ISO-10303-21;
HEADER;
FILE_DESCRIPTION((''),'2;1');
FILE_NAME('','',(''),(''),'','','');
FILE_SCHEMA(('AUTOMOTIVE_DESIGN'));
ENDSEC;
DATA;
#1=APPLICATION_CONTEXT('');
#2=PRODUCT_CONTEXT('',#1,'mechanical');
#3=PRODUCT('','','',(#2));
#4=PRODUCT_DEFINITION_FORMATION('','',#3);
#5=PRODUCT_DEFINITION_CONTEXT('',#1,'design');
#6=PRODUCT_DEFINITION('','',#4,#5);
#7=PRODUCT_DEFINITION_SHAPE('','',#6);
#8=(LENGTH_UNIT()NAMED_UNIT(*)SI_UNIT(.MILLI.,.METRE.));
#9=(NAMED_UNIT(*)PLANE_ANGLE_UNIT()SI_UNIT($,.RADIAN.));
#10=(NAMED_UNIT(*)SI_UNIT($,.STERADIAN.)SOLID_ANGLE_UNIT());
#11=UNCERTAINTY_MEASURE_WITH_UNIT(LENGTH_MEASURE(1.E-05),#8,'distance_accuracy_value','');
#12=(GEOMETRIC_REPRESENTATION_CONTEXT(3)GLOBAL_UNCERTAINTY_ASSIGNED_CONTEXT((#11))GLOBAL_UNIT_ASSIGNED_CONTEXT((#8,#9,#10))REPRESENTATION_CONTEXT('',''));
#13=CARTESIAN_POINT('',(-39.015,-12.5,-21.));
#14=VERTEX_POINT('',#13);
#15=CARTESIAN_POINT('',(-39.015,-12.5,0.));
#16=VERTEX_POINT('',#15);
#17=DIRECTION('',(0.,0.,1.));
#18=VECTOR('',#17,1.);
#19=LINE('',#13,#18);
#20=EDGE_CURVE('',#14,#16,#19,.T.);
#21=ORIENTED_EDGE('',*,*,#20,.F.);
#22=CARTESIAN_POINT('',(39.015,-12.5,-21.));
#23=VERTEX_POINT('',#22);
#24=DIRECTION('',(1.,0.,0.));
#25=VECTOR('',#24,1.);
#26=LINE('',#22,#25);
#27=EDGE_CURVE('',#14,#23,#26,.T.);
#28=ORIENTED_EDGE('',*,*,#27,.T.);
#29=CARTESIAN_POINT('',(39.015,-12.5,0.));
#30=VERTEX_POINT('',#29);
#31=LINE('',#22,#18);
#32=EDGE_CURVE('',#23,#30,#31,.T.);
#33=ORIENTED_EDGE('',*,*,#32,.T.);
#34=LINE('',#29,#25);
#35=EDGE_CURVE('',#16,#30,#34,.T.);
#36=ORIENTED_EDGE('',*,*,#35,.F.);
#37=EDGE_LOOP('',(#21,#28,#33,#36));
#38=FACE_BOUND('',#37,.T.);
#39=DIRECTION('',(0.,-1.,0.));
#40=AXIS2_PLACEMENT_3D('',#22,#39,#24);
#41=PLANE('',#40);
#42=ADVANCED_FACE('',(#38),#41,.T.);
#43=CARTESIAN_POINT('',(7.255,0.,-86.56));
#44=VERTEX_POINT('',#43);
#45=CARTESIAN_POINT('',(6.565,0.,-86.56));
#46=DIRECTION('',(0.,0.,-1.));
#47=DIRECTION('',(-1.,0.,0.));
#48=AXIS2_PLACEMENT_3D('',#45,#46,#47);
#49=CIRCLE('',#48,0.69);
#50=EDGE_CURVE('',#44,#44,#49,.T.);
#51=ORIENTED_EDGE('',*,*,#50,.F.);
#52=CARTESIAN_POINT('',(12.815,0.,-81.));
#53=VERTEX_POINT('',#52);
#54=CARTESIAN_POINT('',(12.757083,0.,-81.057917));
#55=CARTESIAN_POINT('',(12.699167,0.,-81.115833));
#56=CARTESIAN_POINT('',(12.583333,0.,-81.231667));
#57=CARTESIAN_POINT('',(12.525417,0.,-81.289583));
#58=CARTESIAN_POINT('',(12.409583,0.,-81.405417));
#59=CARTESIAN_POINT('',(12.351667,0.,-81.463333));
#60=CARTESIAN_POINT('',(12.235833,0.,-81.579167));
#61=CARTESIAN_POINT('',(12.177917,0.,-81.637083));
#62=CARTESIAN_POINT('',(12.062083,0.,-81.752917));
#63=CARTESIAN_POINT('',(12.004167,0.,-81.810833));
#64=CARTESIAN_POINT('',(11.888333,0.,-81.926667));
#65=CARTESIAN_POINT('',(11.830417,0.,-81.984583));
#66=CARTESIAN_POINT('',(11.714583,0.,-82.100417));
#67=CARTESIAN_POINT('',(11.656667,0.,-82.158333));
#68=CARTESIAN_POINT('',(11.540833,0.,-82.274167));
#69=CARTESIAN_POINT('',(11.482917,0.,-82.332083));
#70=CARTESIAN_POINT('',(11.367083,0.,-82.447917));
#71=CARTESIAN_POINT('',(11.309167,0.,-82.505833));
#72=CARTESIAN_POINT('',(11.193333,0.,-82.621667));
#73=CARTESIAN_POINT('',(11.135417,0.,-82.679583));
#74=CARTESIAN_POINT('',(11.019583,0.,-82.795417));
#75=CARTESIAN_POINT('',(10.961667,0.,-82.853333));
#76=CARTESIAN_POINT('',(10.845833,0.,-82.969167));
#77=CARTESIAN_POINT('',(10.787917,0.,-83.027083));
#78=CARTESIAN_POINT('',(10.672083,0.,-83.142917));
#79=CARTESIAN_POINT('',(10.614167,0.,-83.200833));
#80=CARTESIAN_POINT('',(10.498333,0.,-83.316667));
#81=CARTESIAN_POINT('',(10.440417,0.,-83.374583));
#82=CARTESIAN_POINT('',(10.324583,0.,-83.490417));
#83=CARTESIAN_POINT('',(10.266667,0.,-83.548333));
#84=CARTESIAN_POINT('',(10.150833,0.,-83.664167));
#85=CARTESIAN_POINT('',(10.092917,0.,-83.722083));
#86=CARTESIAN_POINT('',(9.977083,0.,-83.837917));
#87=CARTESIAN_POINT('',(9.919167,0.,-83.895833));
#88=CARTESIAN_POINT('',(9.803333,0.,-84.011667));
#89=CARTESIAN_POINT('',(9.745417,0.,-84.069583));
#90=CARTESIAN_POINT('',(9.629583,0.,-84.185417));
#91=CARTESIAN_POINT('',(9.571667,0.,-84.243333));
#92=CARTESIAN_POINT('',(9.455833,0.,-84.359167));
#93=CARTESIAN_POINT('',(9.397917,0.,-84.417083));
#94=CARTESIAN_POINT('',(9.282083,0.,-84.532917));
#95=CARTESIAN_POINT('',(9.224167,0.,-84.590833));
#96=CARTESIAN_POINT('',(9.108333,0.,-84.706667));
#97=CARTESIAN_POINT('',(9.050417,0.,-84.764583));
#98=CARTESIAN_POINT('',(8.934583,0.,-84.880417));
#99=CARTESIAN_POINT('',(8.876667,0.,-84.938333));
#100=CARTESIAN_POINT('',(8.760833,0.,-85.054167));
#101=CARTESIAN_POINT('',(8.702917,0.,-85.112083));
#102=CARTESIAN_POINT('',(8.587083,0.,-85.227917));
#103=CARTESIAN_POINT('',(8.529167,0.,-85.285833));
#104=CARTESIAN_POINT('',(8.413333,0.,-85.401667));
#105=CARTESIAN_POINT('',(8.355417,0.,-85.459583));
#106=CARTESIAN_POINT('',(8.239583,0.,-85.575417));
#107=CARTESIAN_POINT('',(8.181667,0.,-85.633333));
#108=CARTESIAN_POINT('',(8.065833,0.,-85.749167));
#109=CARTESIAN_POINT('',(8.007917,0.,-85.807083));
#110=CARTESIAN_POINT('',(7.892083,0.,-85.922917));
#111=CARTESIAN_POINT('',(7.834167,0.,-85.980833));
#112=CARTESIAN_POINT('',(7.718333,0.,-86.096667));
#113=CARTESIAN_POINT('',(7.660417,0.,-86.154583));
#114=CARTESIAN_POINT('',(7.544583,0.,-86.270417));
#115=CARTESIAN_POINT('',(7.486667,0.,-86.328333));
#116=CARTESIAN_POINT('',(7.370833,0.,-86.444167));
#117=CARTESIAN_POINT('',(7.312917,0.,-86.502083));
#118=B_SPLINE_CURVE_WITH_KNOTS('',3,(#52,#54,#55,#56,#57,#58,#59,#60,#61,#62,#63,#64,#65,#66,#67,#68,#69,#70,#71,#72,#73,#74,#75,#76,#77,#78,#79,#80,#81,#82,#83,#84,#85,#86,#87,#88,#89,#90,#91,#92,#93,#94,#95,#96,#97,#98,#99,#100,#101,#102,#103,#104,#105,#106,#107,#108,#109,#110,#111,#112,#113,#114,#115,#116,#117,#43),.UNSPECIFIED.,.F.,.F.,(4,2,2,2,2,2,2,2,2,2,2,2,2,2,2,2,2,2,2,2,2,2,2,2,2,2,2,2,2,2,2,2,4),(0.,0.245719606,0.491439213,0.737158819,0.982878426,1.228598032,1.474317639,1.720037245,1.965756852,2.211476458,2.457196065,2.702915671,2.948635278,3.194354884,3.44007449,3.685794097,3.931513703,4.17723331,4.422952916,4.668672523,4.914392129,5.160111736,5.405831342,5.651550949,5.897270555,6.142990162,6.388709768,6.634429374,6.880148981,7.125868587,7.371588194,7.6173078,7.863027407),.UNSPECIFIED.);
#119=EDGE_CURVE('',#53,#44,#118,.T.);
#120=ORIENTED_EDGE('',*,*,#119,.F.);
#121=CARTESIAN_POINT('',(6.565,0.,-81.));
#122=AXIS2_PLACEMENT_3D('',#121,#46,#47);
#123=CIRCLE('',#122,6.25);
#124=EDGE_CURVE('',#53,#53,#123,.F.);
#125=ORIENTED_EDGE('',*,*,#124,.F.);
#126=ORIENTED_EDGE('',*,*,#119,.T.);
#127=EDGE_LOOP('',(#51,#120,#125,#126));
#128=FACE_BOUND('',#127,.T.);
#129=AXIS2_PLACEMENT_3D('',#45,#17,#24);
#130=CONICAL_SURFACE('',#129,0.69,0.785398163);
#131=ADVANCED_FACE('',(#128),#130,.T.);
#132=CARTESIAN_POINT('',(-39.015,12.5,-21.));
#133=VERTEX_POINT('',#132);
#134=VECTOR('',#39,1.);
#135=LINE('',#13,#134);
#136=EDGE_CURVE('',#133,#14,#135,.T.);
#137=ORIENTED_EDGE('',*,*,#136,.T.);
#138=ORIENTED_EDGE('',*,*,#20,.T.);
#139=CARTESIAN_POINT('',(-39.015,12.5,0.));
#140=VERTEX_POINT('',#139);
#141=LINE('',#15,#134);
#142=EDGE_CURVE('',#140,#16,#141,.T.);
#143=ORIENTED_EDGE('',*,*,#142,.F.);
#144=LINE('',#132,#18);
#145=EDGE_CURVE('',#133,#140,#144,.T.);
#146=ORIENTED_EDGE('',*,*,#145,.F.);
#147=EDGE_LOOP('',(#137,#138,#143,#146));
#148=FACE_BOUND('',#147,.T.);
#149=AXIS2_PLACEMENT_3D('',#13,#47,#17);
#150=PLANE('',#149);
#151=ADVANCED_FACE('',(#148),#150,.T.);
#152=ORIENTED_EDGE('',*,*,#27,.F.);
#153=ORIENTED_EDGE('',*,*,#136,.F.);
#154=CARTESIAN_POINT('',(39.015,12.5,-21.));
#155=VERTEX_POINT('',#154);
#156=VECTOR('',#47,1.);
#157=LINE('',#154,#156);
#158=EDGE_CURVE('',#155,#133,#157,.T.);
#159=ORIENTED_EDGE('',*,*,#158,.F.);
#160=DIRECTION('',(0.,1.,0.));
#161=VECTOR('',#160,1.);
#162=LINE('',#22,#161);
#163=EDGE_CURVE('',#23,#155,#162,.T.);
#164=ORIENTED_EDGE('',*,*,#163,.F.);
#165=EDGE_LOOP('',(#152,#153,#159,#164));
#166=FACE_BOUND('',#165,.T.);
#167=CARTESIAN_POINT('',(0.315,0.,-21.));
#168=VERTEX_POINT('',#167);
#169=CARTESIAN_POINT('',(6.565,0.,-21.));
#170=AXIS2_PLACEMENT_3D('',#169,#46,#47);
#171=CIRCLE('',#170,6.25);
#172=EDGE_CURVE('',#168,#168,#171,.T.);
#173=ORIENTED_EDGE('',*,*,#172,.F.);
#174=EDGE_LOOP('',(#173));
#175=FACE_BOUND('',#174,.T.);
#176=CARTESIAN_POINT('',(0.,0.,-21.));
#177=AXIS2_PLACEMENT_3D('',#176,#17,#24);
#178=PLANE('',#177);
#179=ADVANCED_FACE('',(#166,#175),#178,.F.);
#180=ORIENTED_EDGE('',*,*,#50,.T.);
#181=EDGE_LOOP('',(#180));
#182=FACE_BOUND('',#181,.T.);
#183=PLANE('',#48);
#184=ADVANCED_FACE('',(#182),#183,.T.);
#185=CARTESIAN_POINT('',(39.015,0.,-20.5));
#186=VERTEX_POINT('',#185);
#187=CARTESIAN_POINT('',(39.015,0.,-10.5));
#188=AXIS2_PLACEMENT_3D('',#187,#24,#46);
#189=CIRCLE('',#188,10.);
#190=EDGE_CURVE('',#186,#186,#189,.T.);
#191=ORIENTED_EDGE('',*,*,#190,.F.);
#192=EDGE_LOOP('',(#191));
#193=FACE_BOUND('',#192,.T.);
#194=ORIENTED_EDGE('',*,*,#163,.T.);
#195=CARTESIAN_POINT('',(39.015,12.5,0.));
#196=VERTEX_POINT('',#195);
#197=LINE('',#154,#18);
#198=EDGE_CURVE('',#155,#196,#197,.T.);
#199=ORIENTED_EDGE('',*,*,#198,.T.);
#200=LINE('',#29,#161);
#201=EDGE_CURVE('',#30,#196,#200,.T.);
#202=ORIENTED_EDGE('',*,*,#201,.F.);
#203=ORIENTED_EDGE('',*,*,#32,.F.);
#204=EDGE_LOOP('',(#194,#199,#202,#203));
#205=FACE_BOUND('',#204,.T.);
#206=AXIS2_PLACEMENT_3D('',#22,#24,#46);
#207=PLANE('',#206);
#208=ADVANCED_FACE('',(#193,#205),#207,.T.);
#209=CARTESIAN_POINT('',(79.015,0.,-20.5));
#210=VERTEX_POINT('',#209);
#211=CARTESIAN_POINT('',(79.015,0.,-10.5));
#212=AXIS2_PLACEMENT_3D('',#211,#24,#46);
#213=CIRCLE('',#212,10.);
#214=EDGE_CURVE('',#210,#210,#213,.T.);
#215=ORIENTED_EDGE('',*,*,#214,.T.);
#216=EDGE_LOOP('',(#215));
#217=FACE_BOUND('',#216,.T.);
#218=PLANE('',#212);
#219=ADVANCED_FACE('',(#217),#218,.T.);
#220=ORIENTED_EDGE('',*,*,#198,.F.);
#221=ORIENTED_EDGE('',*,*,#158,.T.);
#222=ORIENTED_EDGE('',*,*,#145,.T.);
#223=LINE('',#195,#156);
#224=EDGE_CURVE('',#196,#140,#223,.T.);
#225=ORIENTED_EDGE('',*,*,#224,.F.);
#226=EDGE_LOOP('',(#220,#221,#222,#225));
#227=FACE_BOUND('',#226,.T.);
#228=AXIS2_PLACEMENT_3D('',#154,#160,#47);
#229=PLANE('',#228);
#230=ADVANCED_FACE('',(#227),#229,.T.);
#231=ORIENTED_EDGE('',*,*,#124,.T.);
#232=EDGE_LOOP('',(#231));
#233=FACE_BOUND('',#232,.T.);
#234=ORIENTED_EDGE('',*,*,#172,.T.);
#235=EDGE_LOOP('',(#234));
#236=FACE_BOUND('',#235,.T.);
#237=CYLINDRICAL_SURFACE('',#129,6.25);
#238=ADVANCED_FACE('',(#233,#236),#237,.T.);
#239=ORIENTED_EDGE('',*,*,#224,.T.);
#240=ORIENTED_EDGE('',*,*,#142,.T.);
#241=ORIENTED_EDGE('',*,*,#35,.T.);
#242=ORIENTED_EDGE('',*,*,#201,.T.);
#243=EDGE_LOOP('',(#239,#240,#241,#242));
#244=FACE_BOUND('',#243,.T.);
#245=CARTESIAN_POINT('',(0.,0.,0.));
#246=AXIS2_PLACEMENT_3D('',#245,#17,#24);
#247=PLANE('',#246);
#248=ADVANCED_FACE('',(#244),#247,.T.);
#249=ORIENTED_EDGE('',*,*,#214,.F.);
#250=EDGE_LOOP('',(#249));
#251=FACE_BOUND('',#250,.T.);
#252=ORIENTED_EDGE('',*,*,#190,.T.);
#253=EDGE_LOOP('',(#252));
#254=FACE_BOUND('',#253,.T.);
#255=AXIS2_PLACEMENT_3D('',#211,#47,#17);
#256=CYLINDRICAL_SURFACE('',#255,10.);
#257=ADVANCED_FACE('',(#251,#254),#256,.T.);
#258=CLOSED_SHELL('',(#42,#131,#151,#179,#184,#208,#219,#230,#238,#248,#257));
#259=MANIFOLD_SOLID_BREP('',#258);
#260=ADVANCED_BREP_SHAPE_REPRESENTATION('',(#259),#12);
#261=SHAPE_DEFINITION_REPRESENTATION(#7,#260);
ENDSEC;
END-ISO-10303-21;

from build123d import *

# Parameters (mm, degrees)
SKETCH1_W           = 78.03
SKETCH1_H           = 25
BOSS_EXTRUDE1_DEPTH = 21
SKETCH2_R           = 10
BOSS_EXTRUDE2_DEPTH = 40
SKETCH4_R           = 6.25
BOSS_EXTRUDE3_DEPTH = 65.56
CHAMFER1_SIZE       = 5.56


with BuildPart() as part:
    # Sketch1 → Boss-Extrude1 (new body)
    with BuildSketch(Plane.XY):
        Rectangle(SKETCH1_W, SKETCH1_H)
    extrude(amount=-BOSS_EXTRUDE1_DEPTH)

    # Sketch2 → Boss-Extrude2 (add)
    with BuildSketch(Plane(origin=(39.015, 0, 0), x_dir=(0, 0, -1), z_dir=(1, 0, 0))):
        with Locations((10.5, 0)):
            Circle(SKETCH2_R)
    extrude(amount=BOSS_EXTRUDE2_DEPTH)

    # Sketch4 → Boss-Extrude3 (add)
    with BuildSketch(Plane(origin=(0, 0, -21), x_dir=(-1, 0, 0), z_dir=(0, 0, -1))):
        with Locations((-6.565, 0)):
            Circle(SKETCH4_R)
    extrude(amount=BOSS_EXTRUDE3_DEPTH)

    # Chamfer1
    chamfer1_edges = [part.edges().sort_by_distance(p)[0] for p in [
        (12.815, 0, -86.56),
    ]]
    chamfer(chamfer1_edges, length=CHAMFER1_SIZE)


solid = part.part
